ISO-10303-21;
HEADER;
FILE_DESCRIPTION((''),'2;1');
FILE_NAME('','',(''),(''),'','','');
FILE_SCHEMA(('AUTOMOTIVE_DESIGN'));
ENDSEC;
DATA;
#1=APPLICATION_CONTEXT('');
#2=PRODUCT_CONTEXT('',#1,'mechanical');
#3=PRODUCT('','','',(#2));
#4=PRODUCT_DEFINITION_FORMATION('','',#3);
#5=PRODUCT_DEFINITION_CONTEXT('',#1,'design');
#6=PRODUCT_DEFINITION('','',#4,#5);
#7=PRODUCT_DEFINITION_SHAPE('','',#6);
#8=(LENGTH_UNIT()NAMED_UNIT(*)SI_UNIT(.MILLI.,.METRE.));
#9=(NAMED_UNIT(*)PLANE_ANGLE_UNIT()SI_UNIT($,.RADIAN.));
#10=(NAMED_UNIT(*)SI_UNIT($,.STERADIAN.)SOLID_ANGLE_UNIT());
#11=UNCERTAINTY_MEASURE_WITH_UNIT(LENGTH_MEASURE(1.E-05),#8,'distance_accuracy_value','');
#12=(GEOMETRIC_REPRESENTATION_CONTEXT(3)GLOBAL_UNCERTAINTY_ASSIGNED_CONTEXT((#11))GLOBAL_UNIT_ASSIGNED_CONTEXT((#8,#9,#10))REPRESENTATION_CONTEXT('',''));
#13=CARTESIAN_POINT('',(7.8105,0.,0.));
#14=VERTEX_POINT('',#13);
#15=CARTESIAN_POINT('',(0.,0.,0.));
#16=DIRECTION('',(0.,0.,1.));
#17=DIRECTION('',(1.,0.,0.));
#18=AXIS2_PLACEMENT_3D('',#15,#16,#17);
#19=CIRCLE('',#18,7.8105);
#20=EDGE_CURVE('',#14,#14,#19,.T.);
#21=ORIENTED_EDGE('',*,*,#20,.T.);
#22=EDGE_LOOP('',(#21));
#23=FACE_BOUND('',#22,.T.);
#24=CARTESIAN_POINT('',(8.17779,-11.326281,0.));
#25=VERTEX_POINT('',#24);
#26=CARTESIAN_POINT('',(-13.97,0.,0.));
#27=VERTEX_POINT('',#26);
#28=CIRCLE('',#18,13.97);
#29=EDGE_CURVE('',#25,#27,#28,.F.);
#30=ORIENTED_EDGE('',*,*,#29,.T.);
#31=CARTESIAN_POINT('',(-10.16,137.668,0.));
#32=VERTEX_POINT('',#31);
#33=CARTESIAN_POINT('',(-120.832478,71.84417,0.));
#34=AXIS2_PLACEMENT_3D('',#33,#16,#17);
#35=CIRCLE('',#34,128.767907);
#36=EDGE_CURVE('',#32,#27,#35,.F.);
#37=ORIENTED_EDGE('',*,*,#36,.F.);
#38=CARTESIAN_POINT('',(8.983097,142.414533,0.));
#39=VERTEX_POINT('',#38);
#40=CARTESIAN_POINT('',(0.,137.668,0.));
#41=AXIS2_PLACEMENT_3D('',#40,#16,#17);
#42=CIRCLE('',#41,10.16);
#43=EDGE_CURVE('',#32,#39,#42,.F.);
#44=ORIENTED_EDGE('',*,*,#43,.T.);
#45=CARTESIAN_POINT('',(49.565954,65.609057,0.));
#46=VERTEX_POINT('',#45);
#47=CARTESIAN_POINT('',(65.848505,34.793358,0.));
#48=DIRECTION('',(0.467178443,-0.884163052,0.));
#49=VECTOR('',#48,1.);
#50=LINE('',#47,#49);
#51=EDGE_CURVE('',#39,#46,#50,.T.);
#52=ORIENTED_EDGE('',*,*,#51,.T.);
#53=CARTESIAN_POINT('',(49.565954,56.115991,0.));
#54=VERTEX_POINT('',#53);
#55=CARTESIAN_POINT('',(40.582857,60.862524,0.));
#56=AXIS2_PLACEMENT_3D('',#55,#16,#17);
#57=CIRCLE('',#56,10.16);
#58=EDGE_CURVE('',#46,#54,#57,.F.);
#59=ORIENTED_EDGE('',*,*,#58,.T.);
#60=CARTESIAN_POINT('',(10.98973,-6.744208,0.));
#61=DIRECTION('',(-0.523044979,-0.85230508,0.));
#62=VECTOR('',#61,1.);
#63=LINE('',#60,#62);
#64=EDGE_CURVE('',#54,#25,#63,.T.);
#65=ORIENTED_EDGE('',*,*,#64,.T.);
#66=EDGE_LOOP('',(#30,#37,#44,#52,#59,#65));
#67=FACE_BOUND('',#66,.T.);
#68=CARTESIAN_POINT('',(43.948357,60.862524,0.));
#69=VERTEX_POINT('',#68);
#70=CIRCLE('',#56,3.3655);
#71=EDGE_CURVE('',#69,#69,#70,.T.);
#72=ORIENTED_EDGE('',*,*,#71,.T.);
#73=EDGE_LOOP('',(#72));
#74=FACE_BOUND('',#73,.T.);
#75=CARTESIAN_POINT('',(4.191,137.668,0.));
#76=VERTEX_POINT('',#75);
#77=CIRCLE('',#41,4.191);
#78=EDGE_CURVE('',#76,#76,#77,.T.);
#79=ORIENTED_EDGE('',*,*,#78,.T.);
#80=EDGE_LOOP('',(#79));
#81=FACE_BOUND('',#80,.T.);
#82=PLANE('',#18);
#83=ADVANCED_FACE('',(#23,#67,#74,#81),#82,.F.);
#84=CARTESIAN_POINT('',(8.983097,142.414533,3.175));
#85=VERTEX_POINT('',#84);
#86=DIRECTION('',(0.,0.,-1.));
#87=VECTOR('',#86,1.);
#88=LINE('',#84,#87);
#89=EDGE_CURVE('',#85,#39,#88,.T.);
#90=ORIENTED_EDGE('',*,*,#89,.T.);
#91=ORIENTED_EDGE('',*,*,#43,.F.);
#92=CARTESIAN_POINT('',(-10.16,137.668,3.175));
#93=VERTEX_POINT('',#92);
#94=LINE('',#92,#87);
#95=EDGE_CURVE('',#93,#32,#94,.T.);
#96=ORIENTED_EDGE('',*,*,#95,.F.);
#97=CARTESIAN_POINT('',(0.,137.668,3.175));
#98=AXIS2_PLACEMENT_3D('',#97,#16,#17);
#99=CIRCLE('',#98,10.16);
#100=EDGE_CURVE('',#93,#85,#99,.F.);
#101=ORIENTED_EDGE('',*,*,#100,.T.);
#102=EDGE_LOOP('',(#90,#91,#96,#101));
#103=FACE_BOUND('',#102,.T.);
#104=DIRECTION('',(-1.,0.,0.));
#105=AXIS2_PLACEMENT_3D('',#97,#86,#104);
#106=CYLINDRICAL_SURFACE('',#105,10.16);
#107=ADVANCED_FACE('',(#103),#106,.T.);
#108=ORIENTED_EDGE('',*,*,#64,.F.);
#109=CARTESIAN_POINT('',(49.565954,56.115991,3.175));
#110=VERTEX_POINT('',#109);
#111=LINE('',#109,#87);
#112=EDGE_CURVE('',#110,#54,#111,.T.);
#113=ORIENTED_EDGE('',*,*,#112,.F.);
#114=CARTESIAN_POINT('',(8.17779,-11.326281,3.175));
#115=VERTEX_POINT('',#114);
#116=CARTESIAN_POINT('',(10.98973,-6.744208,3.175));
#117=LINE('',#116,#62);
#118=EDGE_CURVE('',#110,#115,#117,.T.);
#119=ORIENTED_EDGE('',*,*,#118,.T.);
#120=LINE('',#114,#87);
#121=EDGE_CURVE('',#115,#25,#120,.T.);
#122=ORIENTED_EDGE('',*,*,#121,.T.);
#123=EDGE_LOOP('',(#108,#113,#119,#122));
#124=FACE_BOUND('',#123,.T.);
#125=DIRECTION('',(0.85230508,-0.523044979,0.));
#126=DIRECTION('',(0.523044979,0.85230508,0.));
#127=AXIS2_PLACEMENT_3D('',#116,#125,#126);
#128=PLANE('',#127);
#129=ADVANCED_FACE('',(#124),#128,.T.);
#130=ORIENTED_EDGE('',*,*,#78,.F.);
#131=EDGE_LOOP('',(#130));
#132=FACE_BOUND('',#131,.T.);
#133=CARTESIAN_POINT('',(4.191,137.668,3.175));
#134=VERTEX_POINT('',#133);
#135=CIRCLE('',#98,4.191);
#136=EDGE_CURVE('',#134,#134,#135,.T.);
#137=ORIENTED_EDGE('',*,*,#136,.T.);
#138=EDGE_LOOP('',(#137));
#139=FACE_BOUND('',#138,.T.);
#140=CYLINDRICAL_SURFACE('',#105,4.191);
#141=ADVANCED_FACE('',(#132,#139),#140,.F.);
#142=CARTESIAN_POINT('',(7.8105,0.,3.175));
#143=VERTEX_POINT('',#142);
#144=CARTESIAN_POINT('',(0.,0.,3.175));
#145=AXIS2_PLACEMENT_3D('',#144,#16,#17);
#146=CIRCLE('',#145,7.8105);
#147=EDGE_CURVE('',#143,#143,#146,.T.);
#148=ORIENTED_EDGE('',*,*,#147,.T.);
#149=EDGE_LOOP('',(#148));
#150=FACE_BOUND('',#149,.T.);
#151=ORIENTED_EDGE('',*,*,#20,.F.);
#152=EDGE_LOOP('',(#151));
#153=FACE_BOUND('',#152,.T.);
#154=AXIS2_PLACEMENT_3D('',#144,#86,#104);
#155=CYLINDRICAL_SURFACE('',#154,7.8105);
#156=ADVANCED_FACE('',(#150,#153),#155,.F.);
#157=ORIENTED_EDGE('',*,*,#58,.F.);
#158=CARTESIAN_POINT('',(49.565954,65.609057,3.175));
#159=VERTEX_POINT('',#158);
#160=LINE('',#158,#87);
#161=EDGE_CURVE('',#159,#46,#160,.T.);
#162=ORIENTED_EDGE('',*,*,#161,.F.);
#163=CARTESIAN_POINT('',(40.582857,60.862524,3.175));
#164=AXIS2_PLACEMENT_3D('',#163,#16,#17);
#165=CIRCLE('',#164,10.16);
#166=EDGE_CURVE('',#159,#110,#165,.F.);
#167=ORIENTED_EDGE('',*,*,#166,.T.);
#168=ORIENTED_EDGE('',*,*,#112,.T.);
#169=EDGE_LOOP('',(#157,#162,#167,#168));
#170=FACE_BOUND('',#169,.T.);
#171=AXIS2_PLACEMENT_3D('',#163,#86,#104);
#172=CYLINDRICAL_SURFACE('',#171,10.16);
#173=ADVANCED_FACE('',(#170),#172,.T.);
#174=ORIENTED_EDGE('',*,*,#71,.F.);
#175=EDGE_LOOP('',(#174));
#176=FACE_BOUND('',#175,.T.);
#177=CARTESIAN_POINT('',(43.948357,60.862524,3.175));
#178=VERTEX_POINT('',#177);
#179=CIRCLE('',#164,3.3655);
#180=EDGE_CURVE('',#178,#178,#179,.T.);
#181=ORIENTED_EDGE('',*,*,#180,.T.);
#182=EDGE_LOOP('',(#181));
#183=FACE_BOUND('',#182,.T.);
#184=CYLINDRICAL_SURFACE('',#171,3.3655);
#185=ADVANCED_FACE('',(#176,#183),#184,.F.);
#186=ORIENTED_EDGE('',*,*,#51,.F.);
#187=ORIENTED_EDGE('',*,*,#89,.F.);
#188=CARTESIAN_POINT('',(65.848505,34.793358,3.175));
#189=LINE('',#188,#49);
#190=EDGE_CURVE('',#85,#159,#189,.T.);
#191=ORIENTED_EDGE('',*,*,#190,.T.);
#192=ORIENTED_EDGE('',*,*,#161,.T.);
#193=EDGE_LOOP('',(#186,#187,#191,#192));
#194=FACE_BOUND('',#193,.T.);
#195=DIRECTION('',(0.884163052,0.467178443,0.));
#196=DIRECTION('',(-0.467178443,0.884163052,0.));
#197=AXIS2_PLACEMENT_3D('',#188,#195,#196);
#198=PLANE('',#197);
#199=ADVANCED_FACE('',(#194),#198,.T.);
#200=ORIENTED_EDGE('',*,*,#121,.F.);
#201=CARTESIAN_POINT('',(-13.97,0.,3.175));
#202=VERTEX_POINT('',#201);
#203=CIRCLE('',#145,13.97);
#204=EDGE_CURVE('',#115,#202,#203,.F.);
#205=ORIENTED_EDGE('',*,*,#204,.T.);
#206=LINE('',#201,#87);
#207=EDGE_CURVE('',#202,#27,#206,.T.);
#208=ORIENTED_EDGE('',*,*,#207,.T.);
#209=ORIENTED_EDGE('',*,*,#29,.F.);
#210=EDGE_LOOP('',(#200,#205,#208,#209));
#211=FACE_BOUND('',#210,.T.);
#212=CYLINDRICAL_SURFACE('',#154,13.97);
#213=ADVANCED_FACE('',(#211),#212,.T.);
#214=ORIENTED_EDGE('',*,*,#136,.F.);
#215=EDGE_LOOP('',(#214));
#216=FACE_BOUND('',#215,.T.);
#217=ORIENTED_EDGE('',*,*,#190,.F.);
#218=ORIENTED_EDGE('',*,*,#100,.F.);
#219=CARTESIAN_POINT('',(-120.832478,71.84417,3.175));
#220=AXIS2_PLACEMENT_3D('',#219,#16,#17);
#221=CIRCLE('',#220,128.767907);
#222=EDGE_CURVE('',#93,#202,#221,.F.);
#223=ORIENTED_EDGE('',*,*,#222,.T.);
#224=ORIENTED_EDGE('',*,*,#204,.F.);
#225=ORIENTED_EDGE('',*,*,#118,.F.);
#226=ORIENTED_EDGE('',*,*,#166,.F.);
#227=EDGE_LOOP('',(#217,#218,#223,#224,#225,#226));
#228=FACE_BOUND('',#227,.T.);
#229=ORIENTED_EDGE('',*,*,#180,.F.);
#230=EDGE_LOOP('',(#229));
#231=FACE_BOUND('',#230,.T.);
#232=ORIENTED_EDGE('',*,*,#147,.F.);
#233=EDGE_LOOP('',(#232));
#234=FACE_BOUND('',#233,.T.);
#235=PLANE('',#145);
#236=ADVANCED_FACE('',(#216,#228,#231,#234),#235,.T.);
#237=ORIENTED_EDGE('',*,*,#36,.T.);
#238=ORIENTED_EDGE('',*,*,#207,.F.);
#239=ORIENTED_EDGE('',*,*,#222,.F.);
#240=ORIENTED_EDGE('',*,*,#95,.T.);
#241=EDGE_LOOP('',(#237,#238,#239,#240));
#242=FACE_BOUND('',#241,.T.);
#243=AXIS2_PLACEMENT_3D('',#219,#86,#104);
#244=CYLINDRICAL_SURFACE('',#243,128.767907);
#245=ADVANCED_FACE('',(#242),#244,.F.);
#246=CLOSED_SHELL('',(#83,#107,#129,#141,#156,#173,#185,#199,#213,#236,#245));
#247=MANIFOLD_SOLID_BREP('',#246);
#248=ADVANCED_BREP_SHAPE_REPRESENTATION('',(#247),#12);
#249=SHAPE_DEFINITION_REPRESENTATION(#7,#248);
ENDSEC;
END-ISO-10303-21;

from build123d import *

# Parameters (mm, degrees)
SKETCH1_R           = 7.8105
SKETCH1_R_2         = 3.3655
SKETCH1_R_3         = 4.191
BOSS_EXTRUDE1_DEPTH = 3.175


with BuildPart() as part:
    # Sketch1 → Boss-Extrude1 (new body)
    with BuildSketch(Plane.XY):
        with BuildLine():
            Line((8.98309661, 142.414532976), (49.565953559, 65.609056962))
            ThreePointArc((49.565953559, 65.609056962), (50.742856949, 60.862523985), (49.565953559, 56.115991009))
            Line((49.565953559, 56.115991009), (8.177790267, -11.326281223))
            ThreePointArc((8.177790267, -11.326281223), (-6.360706327, -12.437938536), (-13.97, 0))
            ThreePointArc((-13.97, 0), (7.886144716, 68.281846548), (-10.16, 137.668))
            ThreePointArc((-10.16, 137.668), (-2.445131739, 147.529385845), (8.98309661, 142.414532976))
        make_face()
        Circle(SKETCH1_R, mode=Mode.SUBTRACT)
        with Locations((40.582856949, 60.862523985)):
            Circle(SKETCH1_R_2, mode=Mode.SUBTRACT)
        with Locations((0, 137.668)):
            Circle(SKETCH1_R_3, mode=Mode.SUBTRACT)
    extrude(amount=BOSS_EXTRUDE1_DEPTH)


solid = part.part
